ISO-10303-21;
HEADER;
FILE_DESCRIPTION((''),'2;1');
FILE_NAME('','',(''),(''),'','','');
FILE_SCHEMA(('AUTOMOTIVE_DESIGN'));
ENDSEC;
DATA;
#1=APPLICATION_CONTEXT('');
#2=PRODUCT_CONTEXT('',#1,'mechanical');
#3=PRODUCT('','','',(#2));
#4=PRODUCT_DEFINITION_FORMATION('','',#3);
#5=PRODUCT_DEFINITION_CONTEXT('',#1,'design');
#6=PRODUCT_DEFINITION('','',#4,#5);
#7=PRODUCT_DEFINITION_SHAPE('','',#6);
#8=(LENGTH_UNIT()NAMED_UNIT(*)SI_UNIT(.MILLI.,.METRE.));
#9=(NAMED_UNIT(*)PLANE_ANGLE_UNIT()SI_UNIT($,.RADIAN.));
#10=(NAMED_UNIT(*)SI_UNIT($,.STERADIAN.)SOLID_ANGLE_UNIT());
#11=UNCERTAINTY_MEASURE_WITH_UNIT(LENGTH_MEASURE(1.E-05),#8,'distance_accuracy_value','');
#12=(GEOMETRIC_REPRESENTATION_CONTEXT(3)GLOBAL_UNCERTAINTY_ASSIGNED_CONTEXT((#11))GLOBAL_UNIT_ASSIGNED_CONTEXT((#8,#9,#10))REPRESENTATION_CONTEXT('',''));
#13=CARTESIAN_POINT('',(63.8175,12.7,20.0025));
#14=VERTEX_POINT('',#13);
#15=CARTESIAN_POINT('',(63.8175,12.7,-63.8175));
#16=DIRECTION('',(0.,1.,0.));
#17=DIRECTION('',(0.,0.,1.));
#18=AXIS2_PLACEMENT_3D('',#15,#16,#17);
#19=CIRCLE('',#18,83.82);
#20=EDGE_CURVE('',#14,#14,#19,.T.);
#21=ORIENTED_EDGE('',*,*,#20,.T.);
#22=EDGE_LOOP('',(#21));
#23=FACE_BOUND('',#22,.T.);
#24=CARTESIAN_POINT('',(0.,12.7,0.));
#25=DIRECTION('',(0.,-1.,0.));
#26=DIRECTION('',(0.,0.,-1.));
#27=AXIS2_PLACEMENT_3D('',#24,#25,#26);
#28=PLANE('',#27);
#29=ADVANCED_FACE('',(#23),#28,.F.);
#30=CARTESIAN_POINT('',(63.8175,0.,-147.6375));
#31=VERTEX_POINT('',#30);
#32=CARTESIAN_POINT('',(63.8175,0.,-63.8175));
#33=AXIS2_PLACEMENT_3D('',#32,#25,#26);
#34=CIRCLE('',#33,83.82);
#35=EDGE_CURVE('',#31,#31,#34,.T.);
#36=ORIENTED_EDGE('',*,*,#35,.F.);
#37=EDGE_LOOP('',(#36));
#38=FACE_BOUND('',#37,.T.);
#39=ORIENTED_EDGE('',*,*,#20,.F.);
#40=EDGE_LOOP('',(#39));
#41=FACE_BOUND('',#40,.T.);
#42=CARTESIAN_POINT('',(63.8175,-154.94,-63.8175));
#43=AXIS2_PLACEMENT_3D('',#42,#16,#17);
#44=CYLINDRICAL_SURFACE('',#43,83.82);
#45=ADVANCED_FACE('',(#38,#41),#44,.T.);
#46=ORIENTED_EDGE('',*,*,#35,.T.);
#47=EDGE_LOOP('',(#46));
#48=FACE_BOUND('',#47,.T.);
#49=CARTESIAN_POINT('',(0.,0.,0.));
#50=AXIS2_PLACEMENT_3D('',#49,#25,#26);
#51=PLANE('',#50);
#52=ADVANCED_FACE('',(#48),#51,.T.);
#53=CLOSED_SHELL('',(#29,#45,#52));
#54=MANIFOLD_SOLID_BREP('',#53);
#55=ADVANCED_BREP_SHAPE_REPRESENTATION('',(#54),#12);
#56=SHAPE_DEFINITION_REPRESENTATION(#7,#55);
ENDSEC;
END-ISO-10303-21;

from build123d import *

# Parameters (mm, degrees)
SKETCH1_W           = 127.635
SKETCH1_H           = 127.635
MAIN_PLATE_DEPTH    = 12.7
SKETCH9_R           = 85.725
BOSS_EXTRUDE1_DEPTH = 12.7
SKETCH10_R          = 97.039626961
SKETCH10_R_2        = 83.82
CUT_EXTRUDE1_DEPTH  = 167.64


with BuildPart() as part:
    # Sketch1 → Main Plate (new body)
    with BuildSketch(Plane(origin=(0, 0, 0), x_dir=(1, 0, 0), z_dir=(0, 1, 0))):
        with Locations((63.8175, 63.8175)):
            Rectangle(SKETCH1_W, SKETCH1_H)
    extrude(amount=MAIN_PLATE_DEPTH)

    # Sketch9 → Boss-Extrude1 (add)
    with BuildSketch(Plane(origin=(0, 12.7, 0), x_dir=(1, 0, 0), z_dir=(0, 1, 0))):
        with Locations((63.8175, 63.8175)):
            Circle(SKETCH9_R)
    extrude(amount=-BOSS_EXTRUDE1_DEPTH)

    # Sketch10 → Cut-Extrude1 (cut)
    with BuildSketch(Plane(origin=(0, 12.7, 0), x_dir=(1, 0, 0), z_dir=(0, 1, 0))):
        with Locations((63.8175, 63.8175)):
            Circle(SKETCH10_R)
        with Locations(Location((63.8175, 63.8175, 0), (0, 0, 270))):
            Circle(SKETCH10_R_2, mode=Mode.SUBTRACT)
    extrude(amount=-CUT_EXTRUDE1_DEPTH, mode=Mode.SUBTRACT)


solid = part.part
